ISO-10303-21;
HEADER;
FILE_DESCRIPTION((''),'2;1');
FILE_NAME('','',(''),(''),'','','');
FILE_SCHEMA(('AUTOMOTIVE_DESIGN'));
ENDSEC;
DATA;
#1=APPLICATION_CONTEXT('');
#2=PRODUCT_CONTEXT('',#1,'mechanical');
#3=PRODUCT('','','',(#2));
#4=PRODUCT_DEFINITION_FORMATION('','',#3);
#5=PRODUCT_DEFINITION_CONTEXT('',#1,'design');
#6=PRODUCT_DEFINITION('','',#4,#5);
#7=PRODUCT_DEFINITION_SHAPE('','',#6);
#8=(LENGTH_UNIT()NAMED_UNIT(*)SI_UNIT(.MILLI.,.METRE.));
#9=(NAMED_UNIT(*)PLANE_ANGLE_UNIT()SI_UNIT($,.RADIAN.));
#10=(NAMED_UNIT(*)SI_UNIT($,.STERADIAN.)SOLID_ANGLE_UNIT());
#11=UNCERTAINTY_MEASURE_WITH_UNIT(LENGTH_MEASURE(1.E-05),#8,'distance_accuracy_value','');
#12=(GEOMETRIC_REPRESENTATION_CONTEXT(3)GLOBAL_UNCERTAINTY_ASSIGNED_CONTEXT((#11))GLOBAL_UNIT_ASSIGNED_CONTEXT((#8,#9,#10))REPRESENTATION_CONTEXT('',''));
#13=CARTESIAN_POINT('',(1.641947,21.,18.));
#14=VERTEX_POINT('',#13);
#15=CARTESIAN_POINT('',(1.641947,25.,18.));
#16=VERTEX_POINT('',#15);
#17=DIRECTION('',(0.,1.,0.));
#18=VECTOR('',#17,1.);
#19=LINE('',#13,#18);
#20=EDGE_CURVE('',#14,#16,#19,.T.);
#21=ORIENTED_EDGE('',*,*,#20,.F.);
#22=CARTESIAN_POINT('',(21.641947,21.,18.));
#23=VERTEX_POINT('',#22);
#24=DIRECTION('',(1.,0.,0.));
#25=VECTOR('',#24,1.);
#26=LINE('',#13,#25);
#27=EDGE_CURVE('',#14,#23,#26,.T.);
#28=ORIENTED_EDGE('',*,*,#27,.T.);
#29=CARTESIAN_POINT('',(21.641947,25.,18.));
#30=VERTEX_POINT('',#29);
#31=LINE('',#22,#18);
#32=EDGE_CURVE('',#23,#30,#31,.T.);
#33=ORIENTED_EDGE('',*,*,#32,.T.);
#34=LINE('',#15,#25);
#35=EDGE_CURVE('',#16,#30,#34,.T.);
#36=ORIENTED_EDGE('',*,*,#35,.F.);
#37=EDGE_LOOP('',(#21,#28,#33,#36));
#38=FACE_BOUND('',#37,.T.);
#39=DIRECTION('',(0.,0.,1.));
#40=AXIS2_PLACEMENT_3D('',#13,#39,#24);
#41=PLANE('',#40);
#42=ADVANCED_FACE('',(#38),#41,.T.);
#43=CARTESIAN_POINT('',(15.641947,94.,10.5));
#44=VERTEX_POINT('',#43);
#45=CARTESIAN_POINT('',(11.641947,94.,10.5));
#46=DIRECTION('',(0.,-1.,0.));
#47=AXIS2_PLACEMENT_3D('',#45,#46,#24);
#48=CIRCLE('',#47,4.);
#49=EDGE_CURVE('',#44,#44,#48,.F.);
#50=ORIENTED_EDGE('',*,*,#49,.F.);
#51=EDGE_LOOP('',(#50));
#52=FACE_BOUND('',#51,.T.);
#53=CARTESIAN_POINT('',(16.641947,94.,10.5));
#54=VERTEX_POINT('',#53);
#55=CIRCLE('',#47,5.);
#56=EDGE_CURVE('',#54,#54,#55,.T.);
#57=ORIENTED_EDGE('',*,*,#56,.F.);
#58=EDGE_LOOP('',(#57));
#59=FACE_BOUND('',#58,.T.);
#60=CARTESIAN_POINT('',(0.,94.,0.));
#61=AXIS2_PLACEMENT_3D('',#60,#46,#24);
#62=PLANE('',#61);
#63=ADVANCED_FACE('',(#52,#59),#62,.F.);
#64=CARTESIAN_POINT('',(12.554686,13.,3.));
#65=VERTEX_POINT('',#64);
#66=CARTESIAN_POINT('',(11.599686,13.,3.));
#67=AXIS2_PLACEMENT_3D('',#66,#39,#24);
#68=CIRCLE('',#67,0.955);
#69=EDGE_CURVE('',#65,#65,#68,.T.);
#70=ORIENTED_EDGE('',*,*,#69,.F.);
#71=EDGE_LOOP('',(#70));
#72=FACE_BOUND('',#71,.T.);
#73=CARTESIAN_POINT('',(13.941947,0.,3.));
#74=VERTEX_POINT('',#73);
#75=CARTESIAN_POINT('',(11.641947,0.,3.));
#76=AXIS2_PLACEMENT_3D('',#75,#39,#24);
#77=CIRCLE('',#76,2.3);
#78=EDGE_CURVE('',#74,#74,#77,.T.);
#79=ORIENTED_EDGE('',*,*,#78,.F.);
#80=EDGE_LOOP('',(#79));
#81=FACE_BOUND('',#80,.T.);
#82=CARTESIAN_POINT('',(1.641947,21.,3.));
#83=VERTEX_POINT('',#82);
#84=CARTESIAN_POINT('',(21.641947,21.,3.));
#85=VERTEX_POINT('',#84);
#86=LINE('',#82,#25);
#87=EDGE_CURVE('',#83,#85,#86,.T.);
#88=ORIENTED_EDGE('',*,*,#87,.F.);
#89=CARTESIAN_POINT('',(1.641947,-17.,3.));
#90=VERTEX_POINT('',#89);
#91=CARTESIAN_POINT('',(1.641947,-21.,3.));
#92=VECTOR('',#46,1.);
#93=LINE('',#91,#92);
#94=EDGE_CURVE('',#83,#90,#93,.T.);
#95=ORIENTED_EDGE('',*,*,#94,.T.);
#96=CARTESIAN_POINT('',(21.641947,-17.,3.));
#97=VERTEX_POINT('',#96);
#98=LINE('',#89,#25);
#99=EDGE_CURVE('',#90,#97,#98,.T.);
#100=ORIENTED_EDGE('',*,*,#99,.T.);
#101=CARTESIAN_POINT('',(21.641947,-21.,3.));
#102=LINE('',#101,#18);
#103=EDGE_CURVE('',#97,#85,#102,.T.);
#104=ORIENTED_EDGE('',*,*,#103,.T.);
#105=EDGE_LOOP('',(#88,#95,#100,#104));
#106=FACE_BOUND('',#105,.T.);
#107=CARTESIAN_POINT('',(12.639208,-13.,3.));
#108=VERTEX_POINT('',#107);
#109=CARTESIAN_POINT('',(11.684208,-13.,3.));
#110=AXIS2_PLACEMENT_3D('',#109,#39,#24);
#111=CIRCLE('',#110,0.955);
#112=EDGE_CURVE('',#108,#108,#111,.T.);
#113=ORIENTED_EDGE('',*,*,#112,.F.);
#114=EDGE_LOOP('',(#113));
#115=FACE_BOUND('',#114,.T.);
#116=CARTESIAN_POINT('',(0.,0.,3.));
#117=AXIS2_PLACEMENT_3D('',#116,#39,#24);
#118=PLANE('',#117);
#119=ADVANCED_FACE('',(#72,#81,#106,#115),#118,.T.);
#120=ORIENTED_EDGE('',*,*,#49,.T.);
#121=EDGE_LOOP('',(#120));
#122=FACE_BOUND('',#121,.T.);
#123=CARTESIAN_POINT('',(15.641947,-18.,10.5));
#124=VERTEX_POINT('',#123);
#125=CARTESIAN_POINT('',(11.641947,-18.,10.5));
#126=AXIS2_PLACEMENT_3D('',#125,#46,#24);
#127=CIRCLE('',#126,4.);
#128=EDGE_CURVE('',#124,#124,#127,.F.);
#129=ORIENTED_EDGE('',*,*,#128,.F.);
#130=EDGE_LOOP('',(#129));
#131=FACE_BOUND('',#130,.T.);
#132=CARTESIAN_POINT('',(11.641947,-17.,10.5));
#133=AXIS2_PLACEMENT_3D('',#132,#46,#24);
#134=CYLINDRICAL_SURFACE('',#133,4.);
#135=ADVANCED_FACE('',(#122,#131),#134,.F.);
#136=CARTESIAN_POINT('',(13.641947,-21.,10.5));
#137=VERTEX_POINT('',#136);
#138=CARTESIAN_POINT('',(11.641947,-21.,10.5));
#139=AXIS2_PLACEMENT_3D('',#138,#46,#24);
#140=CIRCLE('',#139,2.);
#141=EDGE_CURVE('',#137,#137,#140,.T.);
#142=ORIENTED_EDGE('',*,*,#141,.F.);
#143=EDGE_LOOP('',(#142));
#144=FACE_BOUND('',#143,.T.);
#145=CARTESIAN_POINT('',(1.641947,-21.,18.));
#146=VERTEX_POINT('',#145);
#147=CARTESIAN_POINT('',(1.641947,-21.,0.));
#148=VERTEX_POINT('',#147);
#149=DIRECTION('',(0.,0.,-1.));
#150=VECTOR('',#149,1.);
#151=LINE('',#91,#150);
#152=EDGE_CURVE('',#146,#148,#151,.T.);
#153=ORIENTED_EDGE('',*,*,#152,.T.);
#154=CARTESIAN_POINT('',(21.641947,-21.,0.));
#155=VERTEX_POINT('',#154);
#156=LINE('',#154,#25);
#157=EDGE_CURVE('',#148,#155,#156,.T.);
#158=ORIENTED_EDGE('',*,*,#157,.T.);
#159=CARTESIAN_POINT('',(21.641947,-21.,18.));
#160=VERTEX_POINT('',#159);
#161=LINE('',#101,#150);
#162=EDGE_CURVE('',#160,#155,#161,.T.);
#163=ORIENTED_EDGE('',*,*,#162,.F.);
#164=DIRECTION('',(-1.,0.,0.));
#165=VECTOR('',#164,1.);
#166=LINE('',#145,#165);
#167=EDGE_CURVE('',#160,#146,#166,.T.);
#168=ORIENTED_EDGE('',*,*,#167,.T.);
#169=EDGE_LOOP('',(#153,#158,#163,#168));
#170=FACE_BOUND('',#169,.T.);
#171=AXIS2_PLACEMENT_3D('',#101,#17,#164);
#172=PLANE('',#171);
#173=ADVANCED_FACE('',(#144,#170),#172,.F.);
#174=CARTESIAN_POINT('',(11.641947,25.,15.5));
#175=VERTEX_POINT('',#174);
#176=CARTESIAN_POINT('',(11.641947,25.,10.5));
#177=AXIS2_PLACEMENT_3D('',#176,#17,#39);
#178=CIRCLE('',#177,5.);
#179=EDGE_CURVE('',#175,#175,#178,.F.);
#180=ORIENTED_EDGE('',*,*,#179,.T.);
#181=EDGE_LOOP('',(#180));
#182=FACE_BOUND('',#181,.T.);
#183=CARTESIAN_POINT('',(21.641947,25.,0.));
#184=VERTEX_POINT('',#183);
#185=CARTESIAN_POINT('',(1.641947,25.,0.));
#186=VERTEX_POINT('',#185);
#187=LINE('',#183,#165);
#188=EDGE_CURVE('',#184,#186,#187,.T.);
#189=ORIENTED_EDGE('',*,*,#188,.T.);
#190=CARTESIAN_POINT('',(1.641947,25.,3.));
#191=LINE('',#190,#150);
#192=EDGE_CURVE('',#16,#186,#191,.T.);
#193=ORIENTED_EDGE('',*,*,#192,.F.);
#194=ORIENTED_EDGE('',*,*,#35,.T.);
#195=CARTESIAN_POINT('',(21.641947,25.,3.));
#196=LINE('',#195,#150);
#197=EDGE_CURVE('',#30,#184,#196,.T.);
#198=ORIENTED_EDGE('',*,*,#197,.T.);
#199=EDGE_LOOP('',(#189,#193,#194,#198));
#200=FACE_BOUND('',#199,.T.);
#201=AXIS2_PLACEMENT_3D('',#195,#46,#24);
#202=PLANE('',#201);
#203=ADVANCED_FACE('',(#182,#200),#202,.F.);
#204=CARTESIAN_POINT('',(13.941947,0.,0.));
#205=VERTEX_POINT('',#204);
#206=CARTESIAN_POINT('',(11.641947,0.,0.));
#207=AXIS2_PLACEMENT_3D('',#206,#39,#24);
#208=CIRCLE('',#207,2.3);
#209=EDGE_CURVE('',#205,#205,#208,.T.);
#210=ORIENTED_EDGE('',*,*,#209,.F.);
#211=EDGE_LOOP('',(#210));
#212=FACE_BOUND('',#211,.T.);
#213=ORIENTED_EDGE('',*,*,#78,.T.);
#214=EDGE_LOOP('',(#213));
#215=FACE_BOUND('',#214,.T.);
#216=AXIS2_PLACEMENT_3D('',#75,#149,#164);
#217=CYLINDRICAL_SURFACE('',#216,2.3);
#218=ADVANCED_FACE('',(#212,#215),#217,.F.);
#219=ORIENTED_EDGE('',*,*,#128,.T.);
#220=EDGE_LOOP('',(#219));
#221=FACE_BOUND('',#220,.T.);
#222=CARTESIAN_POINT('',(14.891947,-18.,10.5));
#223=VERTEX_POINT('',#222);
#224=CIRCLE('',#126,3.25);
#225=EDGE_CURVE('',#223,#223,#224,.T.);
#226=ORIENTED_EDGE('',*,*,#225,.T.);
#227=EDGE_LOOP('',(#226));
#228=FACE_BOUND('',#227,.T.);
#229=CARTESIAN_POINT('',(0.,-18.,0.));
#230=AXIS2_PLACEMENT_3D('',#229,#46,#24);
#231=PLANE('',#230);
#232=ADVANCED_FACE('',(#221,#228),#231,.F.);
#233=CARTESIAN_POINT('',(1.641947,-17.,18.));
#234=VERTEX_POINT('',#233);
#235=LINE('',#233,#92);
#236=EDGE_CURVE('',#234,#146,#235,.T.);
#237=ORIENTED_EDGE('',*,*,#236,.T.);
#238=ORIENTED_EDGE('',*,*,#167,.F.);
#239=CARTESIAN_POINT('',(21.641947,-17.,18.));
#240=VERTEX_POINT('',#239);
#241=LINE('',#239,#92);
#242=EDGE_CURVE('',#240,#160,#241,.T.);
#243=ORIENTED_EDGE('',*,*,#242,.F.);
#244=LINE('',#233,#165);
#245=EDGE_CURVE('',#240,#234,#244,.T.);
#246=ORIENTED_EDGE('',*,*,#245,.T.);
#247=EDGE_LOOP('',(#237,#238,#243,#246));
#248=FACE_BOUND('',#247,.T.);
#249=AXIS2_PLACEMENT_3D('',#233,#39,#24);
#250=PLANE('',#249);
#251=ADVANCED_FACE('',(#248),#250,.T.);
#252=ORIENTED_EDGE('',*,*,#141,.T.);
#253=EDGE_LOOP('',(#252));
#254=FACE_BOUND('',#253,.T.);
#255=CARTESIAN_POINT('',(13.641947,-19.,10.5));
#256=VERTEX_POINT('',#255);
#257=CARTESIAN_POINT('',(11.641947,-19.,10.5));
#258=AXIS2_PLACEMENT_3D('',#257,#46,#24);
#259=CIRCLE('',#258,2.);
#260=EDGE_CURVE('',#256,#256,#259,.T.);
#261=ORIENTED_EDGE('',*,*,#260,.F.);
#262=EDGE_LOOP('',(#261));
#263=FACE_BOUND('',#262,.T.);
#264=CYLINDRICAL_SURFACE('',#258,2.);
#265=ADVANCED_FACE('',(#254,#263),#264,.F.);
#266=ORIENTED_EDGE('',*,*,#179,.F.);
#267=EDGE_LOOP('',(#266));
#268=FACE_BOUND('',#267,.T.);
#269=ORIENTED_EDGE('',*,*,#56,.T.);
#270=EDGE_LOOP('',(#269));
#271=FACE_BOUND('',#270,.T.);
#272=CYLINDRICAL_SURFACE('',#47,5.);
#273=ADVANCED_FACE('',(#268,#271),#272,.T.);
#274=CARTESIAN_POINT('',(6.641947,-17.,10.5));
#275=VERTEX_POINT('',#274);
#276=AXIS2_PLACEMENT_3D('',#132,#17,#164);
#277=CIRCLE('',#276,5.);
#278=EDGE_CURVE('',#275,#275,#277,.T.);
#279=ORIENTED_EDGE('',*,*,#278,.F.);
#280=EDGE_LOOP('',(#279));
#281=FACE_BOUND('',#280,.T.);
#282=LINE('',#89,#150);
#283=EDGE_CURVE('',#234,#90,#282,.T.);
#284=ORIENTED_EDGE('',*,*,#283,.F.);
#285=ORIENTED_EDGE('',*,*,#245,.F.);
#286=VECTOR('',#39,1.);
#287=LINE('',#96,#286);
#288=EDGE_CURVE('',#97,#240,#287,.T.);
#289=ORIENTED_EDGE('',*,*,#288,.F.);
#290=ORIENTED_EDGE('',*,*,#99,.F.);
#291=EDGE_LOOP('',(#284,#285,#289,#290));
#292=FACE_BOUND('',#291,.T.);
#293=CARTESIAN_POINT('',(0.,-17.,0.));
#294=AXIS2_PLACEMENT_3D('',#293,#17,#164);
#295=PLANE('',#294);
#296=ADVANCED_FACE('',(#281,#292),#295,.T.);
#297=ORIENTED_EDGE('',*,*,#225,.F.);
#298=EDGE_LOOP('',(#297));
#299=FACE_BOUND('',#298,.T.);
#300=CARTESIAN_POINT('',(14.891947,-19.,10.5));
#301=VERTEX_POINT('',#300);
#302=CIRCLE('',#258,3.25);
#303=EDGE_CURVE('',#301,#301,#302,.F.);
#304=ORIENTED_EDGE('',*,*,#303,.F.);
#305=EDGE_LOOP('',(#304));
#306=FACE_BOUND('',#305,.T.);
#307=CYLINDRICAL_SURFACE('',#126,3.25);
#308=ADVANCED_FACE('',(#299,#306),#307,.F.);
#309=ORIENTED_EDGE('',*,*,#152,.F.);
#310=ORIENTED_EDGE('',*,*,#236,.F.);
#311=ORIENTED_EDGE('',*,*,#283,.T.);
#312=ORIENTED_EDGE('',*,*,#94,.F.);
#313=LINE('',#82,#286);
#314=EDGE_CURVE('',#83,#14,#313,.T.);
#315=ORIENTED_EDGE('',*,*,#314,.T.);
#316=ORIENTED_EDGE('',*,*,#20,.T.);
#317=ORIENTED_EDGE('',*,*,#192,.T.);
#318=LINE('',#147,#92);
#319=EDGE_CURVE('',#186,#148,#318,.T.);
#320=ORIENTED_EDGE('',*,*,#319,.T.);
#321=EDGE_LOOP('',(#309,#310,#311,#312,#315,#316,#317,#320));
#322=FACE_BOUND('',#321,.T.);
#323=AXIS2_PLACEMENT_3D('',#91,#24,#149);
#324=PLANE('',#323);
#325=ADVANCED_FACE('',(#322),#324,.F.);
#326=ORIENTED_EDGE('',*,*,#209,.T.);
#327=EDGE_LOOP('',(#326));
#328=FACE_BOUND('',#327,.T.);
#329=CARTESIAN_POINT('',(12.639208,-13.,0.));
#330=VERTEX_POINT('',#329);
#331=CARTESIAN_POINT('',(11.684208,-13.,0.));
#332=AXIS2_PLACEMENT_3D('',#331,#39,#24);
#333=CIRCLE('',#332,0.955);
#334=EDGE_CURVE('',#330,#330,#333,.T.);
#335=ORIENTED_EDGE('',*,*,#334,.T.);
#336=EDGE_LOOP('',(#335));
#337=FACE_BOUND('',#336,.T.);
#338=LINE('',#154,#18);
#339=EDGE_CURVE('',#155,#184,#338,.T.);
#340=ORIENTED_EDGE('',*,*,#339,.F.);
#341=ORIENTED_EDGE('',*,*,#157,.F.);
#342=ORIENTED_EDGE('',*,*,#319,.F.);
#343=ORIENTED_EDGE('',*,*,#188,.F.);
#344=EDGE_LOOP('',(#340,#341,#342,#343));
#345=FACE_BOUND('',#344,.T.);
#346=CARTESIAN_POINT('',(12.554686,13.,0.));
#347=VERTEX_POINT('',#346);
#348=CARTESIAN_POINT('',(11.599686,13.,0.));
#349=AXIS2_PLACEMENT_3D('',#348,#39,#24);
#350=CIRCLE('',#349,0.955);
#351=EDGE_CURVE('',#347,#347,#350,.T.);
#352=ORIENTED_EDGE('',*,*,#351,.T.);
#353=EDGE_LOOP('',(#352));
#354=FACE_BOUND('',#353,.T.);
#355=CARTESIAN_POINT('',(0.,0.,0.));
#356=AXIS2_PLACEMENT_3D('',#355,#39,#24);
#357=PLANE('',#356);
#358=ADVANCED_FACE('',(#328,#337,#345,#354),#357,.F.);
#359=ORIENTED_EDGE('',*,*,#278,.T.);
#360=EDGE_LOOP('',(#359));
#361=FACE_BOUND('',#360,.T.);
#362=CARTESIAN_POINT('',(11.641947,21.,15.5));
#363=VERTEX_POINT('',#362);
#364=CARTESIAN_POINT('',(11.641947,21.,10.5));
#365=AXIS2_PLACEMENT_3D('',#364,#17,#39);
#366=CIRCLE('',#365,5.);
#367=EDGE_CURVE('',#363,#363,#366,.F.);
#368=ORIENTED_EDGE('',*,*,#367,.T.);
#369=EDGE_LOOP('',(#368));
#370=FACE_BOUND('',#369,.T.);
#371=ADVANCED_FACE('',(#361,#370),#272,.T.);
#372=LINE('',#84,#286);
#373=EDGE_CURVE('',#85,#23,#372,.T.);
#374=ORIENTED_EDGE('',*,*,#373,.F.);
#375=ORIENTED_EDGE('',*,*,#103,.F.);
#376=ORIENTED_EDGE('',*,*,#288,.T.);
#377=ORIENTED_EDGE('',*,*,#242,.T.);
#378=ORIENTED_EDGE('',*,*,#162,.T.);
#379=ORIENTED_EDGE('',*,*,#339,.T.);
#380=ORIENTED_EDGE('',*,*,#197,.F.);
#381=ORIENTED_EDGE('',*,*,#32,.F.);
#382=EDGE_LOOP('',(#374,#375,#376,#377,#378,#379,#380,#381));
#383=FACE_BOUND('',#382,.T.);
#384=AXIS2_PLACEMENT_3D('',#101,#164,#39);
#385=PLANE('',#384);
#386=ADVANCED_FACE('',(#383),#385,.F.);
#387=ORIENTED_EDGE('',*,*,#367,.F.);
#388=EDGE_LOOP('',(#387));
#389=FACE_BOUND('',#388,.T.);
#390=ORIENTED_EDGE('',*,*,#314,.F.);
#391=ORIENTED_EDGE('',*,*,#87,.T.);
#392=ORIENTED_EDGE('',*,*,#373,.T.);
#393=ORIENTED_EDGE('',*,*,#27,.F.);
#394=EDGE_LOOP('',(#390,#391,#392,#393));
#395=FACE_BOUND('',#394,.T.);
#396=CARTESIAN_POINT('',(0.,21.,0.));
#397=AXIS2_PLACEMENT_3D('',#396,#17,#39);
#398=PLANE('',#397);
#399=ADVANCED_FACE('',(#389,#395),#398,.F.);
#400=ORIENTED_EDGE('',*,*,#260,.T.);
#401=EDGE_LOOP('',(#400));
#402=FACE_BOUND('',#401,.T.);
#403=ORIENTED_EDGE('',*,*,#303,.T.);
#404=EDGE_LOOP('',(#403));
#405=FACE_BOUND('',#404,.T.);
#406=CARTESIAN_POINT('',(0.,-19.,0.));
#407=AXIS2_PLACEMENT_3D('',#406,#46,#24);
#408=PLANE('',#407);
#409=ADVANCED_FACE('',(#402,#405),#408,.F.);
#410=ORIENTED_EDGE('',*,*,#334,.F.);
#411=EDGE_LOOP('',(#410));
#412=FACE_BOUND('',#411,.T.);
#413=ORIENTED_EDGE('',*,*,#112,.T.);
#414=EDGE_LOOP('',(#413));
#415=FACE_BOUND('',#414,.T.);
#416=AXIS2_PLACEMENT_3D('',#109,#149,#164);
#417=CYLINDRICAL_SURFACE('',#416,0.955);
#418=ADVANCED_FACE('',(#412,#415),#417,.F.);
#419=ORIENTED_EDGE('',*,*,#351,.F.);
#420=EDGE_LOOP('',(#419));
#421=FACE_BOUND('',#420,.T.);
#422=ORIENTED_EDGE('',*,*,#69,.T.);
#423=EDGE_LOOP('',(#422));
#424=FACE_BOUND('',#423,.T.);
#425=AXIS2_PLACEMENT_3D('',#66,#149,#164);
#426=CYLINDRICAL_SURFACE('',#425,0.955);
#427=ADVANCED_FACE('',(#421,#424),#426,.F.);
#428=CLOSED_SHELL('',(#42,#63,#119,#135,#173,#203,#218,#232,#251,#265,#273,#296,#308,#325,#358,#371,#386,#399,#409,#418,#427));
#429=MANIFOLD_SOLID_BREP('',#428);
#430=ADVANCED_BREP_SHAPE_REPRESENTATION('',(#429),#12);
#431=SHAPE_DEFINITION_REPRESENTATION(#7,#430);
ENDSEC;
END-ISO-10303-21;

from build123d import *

# Parameters (mm, degrees)
SKETCH1_W           = 20
SKETCH1_H           = 46
SKETCH1_R           = 0.955
SKETCH1_R_2         = 2.3
BOSS_EXTRUDE1_DEPTH = 3
SKETCH2_W           = 20
SKETCH2_H           = 15
SKETCH2_R           = 4
BOSS_EXTRUDE2_DEPTH = 4
SKETCH4_R           = 5
SKETCH4_R_2         = 4
BOSS_EXTRUDE4_DEPTH = 115
BOSS_EXTRUDE6_START = -4
SKETCH5_W           = 20
SKETCH5_H           = 15
SKETCH5_R           = 4
BOSS_EXTRUDE6_DEPTH = 4
SKETCH4_3_R         = 3.25
SKETCH4_3_R_2       = 2
BOSS_EXTRUDE7_DEPTH = 2
SKETCH4_4_R         = 4
SKETCH4_4_R_2       = 3.25
BOSS_EXTRUDE8_DEPTH = 3


with BuildPart() as part:
    # Sketch1 → Boss-Extrude1 (new body)
    with BuildSketch(Plane.XY):
        with Locations((11.641947403, 2)):
            Rectangle(SKETCH1_W, SKETCH1_H)
        with Locations((11.599686328, 13)):
            Circle(SKETCH1_R, mode=Mode.SUBTRACT)
        with Locations((11.684208477, -13)):
            Circle(SKETCH1_R, mode=Mode.SUBTRACT)
        with Locations((11.641947403, 0)):
            Circle(SKETCH1_R_2, mode=Mode.SUBTRACT)
    extrude(amount=BOSS_EXTRUDE1_DEPTH)

    # Sketch2 → Boss-Extrude2 (add)
    with BuildSketch(Plane.XZ.offset(21)):
        with Locations((11.641947403, 10.5)):
            Rectangle(SKETCH2_W, SKETCH2_H)
        with Locations((11.641947403, 10.5)):
            Circle(SKETCH2_R, mode=Mode.SUBTRACT)
    extrude(amount=-BOSS_EXTRUDE2_DEPTH)

    # Sketch4 → Boss-Extrude4 (add)
    with BuildSketch(Plane.XZ.offset(21)):
        with Locations((11.641947403, 10.5)):
            Circle(SKETCH4_R)
        with Locations((11.641947403, 10.5)):
            Circle(SKETCH4_R_2, mode=Mode.SUBTRACT)
    extrude(amount=-BOSS_EXTRUDE4_DEPTH)

    # Sketch5 → Boss-Extrude6 (add)
    with BuildSketch(Plane(origin=(0, 25, 0), x_dir=(1, 0, 0), z_dir=(0, 1, 0)).offset(BOSS_EXTRUDE6_START)):
        with Locations((11.641947403, -10.5)):
            Rectangle(SKETCH5_W, SKETCH5_H)
        with Locations((11.641947403, -10.5)):
            Circle(SKETCH5_R, mode=Mode.SUBTRACT)
    extrude(amount=BOSS_EXTRUDE6_DEPTH)



with BuildPart() as body_2:
    # Sketch4<3> → Boss-Extrude7 (new body)
    with BuildSketch(Plane.XZ.offset(21)):
        with Locations((11.641947403, 10.5)):
            Circle(SKETCH4_3_R)
        with Locations((11.641947403, 10.5)):
            Circle(SKETCH4_3_R_2, mode=Mode.SUBTRACT)
    extrude(amount=-BOSS_EXTRUDE7_DEPTH)


with BuildPart() as part_1:
    add(part.part)

    add(body_2.part)  # Boss-Extrude8 merges body 2
    # Sketch4<4> → Boss-Extrude8 (add)
    with BuildSketch(Plane.XZ.offset(21)):
        with Locations((11.641947403, 10.5)):
            Circle(SKETCH4_4_R)
        with Locations((11.641947403, 10.5)):
            Circle(SKETCH4_4_R_2, mode=Mode.SUBTRACT)
    extrude(amount=-BOSS_EXTRUDE8_DEPTH)


solid = part_1.part
